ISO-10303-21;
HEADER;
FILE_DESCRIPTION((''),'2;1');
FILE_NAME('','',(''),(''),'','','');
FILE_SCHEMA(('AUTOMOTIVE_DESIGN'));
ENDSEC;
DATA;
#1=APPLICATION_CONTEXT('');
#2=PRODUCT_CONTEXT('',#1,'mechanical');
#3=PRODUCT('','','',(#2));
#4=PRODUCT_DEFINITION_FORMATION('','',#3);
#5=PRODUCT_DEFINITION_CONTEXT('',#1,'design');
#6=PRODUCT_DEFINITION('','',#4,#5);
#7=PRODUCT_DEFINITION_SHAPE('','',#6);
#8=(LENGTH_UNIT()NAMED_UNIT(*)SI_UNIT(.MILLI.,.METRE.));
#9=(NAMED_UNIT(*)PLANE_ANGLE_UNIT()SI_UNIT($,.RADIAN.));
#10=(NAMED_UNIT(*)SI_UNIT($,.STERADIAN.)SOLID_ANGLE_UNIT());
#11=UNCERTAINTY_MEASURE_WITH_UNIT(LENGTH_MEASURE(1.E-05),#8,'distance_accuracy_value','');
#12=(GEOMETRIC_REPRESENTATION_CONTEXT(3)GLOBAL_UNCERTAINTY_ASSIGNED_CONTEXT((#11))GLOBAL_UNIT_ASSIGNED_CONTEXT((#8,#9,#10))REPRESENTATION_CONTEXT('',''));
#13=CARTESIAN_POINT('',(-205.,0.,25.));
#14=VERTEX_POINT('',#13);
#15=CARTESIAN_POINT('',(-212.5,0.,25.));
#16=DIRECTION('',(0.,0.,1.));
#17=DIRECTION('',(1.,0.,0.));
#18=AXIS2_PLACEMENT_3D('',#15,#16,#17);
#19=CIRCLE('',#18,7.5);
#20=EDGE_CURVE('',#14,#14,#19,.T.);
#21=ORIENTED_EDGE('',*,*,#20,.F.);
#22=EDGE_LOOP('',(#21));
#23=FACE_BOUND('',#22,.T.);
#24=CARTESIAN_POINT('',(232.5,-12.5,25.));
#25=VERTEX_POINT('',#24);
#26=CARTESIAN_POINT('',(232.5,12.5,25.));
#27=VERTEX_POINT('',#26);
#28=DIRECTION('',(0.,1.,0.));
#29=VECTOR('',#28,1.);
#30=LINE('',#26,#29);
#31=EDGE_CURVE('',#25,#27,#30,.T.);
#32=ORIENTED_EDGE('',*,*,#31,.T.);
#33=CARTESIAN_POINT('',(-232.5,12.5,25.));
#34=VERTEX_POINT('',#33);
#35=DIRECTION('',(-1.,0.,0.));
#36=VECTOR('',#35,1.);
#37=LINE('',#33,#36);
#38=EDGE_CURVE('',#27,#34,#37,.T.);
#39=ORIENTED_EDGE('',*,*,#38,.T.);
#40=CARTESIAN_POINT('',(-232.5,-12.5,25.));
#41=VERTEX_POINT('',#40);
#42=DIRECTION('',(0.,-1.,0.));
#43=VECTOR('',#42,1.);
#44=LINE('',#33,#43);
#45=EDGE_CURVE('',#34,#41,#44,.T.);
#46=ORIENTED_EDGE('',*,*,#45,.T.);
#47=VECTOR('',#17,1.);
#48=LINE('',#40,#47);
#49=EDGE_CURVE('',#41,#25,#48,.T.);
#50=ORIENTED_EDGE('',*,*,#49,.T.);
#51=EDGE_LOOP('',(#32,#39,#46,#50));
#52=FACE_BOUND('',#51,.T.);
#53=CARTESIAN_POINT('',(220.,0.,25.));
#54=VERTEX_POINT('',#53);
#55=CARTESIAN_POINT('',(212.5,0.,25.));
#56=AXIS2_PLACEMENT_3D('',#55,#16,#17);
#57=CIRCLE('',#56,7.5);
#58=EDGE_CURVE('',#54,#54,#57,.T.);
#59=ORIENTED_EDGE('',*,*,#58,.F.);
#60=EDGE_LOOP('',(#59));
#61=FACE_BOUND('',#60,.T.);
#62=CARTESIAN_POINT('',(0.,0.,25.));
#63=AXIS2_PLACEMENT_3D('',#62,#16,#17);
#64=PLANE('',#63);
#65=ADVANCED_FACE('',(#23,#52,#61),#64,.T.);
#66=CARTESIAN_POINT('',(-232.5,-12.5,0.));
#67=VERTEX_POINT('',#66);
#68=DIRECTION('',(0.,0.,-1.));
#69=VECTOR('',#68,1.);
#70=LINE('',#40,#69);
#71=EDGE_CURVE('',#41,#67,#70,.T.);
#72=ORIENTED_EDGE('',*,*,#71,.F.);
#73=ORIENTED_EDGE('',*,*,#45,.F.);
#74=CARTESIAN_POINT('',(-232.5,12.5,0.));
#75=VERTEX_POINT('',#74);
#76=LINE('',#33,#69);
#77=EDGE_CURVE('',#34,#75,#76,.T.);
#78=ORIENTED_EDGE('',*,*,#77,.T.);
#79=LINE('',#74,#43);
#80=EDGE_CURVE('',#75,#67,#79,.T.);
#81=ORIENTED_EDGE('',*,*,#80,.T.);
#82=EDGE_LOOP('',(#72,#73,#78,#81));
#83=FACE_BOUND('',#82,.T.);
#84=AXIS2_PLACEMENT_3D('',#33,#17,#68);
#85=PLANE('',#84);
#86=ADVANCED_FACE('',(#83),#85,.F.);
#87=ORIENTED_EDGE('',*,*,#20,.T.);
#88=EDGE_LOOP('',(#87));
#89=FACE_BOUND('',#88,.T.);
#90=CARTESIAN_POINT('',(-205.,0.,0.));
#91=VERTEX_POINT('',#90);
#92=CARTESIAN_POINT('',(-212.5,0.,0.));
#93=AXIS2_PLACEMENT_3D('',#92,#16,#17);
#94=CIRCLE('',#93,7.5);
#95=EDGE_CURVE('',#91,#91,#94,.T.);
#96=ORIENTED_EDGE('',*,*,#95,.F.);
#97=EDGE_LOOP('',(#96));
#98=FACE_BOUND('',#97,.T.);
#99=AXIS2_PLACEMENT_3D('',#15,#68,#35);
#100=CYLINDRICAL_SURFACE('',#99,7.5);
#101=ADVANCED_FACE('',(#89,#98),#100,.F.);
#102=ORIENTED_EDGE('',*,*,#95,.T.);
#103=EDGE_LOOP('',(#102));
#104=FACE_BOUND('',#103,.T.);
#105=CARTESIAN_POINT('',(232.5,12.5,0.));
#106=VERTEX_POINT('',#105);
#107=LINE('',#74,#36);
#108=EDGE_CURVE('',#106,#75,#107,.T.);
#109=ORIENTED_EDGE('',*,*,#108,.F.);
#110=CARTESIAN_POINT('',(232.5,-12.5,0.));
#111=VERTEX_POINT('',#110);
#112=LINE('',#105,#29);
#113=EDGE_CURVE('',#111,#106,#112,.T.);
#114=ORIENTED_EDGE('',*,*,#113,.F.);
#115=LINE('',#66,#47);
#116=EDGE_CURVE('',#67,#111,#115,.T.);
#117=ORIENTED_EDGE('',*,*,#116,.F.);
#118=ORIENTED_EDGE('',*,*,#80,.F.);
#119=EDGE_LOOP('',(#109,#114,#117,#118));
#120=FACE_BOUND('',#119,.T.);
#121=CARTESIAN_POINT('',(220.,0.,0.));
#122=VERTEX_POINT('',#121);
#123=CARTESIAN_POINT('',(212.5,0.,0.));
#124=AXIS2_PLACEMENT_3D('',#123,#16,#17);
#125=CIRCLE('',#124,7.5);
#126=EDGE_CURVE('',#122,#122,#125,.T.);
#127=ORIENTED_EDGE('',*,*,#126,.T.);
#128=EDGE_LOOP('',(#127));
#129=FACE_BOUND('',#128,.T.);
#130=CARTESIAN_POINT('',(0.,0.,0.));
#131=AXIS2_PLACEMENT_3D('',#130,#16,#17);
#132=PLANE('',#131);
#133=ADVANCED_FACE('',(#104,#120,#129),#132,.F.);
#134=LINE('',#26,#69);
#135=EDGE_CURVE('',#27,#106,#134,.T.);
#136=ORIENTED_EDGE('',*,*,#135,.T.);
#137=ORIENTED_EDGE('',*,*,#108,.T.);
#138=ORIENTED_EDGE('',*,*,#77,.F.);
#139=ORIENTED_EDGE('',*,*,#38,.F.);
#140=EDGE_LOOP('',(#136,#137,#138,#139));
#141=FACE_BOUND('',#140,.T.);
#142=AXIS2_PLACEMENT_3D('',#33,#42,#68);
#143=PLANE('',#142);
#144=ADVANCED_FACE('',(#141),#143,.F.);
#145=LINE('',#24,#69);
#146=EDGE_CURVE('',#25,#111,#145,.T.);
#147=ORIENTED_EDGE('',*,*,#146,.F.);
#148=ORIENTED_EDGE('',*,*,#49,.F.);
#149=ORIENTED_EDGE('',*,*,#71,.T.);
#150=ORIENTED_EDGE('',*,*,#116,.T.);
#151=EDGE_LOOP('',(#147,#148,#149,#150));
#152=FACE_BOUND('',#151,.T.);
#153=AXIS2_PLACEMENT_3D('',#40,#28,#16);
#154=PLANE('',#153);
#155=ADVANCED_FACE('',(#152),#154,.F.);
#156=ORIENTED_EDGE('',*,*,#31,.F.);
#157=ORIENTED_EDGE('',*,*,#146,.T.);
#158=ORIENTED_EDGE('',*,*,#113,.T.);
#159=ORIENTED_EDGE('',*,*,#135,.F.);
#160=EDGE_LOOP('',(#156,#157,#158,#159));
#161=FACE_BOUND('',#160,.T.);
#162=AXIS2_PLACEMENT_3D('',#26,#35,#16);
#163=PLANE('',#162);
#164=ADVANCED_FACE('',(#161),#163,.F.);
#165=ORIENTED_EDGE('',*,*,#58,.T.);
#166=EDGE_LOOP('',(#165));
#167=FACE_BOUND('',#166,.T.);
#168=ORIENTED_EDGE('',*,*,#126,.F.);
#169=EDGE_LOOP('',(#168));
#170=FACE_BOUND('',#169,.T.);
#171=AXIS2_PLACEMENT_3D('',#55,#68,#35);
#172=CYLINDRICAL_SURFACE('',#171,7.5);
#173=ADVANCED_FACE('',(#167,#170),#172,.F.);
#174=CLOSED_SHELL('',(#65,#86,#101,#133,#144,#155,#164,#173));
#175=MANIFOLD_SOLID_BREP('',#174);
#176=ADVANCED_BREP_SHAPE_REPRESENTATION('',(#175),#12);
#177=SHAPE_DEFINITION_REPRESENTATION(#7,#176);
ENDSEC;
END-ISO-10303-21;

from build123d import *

# Parameters (mm, degrees)
SKETCH1_W           = 465
SKETCH1_H           = 25
SKETCH1_R           = 7.5
BOSS_EXTRUDE1_DEPTH = 25


with BuildPart() as part:
    # Sketch1 → Boss-Extrude1 (new body)
    with BuildSketch(Plane.XY):
        Rectangle(SKETCH1_W, SKETCH1_H)
        with Locations((-212.5, 0)):
            Circle(SKETCH1_R, mode=Mode.SUBTRACT)
        with Locations((212.5, 0)):
            Circle(SKETCH1_R, mode=Mode.SUBTRACT)
    extrude(amount=BOSS_EXTRUDE1_DEPTH)


solid = part.part
